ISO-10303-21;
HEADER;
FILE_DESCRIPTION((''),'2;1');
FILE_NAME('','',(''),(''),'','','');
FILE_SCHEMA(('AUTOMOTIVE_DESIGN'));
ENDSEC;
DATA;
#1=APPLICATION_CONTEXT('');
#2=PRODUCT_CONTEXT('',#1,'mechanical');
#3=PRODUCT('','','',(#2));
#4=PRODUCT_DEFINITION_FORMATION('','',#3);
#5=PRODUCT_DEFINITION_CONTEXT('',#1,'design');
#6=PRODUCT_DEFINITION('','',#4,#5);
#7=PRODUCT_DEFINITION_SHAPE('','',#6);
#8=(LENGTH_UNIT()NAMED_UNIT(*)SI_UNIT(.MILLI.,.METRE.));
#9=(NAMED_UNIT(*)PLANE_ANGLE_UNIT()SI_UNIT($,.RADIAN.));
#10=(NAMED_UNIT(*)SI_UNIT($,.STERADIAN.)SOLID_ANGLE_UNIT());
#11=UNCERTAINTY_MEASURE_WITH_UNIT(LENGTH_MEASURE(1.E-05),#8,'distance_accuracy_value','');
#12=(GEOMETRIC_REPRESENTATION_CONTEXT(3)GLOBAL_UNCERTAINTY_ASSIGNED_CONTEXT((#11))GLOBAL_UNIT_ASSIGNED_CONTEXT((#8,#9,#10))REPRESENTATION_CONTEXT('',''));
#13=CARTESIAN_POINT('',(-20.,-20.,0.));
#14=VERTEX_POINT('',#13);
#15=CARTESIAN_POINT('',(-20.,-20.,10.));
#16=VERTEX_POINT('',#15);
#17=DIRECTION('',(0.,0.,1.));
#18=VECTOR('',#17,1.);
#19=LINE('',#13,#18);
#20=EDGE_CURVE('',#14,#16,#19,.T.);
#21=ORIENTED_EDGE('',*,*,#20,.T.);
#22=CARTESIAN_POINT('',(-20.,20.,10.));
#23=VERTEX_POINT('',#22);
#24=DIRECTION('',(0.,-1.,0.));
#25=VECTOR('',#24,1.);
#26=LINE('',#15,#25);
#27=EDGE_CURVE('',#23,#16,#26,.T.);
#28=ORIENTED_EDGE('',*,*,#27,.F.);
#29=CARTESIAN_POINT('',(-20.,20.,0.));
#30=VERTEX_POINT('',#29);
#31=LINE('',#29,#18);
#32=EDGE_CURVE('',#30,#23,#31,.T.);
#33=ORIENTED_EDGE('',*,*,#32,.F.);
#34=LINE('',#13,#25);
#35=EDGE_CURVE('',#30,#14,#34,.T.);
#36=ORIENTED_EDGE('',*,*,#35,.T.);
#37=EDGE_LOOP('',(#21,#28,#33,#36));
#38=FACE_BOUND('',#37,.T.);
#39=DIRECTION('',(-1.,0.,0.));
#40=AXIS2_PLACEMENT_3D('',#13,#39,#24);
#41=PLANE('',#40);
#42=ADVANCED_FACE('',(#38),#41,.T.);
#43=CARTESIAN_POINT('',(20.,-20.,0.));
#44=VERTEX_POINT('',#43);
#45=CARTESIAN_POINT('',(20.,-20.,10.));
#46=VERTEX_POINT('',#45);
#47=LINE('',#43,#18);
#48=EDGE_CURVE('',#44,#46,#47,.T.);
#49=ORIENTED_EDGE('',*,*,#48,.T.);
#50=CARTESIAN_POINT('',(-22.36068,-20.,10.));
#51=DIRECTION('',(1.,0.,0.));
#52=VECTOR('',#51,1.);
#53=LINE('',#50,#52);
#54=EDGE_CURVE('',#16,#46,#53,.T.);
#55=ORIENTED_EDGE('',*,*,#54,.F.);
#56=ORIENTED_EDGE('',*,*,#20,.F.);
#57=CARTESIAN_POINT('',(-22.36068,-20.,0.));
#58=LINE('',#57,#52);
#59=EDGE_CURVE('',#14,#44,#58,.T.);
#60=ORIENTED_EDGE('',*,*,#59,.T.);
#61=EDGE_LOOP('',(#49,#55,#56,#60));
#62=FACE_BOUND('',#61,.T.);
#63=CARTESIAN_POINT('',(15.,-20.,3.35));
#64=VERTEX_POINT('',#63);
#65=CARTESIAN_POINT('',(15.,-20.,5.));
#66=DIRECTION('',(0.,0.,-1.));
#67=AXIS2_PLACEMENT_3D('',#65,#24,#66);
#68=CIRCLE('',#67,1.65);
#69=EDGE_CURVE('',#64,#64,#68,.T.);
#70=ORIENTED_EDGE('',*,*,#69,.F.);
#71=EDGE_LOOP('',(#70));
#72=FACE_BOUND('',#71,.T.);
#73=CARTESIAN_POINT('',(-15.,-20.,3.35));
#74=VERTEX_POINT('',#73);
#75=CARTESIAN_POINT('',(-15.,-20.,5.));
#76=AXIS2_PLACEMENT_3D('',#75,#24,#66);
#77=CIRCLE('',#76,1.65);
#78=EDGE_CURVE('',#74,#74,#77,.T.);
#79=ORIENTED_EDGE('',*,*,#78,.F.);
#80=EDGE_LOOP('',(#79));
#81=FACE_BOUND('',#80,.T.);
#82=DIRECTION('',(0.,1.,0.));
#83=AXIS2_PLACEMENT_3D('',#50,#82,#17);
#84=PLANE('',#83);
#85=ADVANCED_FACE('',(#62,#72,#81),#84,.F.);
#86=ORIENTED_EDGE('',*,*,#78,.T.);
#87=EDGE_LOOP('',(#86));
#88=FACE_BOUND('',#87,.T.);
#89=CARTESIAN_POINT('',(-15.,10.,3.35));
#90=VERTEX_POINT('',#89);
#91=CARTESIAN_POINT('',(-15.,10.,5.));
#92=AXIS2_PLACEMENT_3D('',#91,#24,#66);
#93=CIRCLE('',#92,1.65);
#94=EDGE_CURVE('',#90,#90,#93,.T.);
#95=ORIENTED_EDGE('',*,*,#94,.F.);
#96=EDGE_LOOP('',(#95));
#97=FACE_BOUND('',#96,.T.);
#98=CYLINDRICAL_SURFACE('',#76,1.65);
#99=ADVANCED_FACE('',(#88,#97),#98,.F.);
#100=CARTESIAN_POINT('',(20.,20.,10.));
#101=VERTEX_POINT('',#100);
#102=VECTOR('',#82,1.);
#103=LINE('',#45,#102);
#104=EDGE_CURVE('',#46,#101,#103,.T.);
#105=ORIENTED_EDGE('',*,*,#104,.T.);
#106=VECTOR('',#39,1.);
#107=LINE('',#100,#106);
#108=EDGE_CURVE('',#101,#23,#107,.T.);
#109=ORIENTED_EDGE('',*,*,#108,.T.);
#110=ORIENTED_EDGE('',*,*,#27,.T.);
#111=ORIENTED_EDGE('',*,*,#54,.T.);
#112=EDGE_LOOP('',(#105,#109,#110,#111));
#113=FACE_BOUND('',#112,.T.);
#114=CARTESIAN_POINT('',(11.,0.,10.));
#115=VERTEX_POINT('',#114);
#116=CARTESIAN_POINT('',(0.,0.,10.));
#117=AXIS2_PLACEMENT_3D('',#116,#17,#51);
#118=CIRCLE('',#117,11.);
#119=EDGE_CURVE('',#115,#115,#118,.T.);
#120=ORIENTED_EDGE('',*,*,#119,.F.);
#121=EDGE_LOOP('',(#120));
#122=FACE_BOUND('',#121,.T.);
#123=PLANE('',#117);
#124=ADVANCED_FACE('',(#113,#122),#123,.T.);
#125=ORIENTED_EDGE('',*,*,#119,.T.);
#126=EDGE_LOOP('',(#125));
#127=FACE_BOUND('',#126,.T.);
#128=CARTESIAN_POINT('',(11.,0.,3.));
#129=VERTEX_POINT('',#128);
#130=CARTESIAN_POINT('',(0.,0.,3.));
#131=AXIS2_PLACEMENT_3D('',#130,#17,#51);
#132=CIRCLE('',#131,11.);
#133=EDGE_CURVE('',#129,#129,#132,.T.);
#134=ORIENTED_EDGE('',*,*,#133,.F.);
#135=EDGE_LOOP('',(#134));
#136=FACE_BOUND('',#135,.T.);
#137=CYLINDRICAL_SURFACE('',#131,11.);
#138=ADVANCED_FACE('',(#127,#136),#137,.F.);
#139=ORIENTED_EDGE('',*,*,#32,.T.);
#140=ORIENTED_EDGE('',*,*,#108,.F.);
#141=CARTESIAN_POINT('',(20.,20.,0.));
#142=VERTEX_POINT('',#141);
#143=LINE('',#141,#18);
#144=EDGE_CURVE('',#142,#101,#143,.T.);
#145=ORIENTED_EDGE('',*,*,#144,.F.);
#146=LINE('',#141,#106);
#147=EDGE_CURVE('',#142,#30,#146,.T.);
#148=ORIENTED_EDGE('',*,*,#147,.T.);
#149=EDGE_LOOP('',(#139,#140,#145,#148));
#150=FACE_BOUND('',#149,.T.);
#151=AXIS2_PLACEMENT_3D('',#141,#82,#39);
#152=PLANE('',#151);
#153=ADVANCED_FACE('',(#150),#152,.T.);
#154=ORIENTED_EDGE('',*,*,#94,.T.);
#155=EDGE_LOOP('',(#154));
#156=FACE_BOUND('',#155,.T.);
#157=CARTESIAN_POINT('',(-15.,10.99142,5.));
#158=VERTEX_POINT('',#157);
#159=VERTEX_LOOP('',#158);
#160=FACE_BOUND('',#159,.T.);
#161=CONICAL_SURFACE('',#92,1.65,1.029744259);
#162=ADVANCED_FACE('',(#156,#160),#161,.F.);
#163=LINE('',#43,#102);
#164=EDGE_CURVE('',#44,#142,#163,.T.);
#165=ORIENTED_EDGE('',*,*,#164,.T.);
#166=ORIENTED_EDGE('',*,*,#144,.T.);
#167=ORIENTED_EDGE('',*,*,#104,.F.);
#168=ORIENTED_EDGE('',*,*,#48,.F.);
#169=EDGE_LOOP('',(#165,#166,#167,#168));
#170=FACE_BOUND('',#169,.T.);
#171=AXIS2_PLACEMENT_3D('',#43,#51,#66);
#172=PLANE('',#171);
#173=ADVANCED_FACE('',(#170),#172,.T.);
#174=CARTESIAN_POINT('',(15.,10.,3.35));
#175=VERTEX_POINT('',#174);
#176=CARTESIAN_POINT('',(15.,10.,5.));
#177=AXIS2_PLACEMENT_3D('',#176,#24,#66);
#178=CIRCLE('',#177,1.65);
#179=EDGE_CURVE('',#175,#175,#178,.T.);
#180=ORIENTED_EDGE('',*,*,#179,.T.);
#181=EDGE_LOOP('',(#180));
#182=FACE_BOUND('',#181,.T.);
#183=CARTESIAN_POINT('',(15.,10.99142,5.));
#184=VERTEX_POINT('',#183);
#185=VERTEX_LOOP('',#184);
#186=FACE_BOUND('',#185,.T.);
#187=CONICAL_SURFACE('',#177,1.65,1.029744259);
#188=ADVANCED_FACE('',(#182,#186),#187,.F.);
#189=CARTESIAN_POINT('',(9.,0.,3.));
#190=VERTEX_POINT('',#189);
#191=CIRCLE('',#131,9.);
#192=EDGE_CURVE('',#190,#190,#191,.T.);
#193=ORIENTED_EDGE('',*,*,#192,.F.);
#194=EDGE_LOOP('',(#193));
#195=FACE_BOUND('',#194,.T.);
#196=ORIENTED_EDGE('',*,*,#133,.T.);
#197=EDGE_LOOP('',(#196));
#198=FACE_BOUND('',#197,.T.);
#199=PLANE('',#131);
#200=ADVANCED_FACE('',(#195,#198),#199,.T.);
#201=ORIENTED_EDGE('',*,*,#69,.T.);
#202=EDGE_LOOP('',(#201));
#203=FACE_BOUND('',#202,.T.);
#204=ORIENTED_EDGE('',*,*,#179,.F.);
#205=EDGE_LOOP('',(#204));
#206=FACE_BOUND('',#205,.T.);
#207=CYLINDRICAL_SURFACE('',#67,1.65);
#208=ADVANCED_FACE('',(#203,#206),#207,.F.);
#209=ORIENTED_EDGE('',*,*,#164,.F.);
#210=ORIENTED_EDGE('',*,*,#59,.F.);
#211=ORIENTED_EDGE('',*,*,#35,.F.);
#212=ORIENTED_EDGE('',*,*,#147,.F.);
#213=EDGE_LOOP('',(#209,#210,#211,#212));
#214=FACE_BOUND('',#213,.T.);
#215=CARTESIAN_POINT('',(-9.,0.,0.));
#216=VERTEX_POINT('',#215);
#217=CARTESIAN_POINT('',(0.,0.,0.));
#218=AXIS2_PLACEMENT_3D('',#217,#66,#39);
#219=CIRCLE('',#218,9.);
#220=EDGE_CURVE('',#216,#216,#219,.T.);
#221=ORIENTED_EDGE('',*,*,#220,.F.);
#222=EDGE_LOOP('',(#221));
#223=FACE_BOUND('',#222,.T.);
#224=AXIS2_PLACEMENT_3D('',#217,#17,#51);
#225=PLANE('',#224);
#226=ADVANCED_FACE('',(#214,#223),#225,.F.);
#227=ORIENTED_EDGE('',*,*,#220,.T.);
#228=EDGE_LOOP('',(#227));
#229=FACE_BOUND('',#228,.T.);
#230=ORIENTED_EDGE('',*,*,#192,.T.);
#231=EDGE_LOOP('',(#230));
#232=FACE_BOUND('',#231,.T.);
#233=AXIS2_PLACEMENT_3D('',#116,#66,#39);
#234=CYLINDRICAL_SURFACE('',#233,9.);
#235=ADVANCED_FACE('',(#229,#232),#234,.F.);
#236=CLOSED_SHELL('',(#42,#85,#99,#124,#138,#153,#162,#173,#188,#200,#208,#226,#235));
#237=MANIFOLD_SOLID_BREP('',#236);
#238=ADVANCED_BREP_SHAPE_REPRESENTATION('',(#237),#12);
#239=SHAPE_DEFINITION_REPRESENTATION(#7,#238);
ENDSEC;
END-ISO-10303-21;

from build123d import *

# Parameters (mm, degrees)
BASE_EXTRUSION_DEPTH       = 10
ESQUISSE2_R                = 11
ENL_V_MAT_EXTRU_1_DEPTH    = 7
ESQUISSE3_R                = 9
ENL_V_MAT_EXTRU_2_DEPTH    = 44.588989435
ESQUISSE4_OUTSIDE_W        = 77.748
ESQUISSE4_OUTSIDE_H        = 67.748
ESQUISSE4_OUTSIDE_W_2      = 40
ESQUISSE4_OUTSIDE_H_2      = 40
ENL_V_MAT_EXTRU_3_DEPTH    = 44.588989435
R_P_TITION_LIN_AIRE1_COUNT = 2
R_P_TITION_LIN_AIRE1_PITCH = 30


with BuildPart() as part:
    # Esquisse1 → Base-Extrusion (new body)
    with BuildSketch(Plane.XY):
        with BuildLine():
            Line((-22.360679775, -20), (22.360679775, -20))
            ThreePointArc((22.360679775, -20), (0, 30), (-22.360679775, -20))
        make_face()
    extrude(amount=BASE_EXTRUSION_DEPTH)

    # Esquisse2 → Enlèv. mat.-Extru.1 (cut)
    with BuildSketch(Plane.XY.offset(10)):
        Circle(ESQUISSE2_R)
    extrude(amount=-ENL_V_MAT_EXTRU_1_DEPTH, mode=Mode.SUBTRACT)

    # Esquisse3 → Enlèv. mat.-Extru.2 (cut, through all)
    with BuildSketch(Plane(origin=(0, 0, 0), x_dir=(-1, 0, 0), z_dir=(0, 0, -1))):
        Circle(ESQUISSE3_R)
    extrude(amount=-ENL_V_MAT_EXTRU_2_DEPTH, mode=Mode.SUBTRACT)

    # Esquisse4 outside → Enlèv. mat.-Extru.3 (cut, through all)
    with BuildSketch(Plane.XY.offset(10)):
        with Locations((0, 5)):
            Rectangle(ESQUISSE4_OUTSIDE_W, ESQUISSE4_OUTSIDE_H)
        Rectangle(ESQUISSE4_OUTSIDE_W_2, ESQUISSE4_OUTSIDE_H_2, mode=Mode.SUBTRACT)
    extrude(amount=-ENL_V_MAT_EXTRU_3_DEPTH, mode=Mode.SUBTRACT)

    # Esquisse5 → Perçage1 (revolve, cut)
    with BuildSketch(Plane(origin=(15, -20, 5), x_dir=(0, 0, -1), z_dir=(1, 0, 0))):
        Polygon((0, 0), (0, 30.991420021), (1.65, 30), (1.65, 0), align=None)
    per_age1 = revolve(axis=Axis((15, -26.35, 5), (0, 1, 0)), mode=Mode.SUBTRACT)

    # Répétition linéaire1: Perçage1 ×2
    with Locations(*[(-i * R_P_TITION_LIN_AIRE1_PITCH, 0, 0) for i in range(1, R_P_TITION_LIN_AIRE1_COUNT)]):
        add(per_age1, mode=Mode.SUBTRACT)


solid = part.part
